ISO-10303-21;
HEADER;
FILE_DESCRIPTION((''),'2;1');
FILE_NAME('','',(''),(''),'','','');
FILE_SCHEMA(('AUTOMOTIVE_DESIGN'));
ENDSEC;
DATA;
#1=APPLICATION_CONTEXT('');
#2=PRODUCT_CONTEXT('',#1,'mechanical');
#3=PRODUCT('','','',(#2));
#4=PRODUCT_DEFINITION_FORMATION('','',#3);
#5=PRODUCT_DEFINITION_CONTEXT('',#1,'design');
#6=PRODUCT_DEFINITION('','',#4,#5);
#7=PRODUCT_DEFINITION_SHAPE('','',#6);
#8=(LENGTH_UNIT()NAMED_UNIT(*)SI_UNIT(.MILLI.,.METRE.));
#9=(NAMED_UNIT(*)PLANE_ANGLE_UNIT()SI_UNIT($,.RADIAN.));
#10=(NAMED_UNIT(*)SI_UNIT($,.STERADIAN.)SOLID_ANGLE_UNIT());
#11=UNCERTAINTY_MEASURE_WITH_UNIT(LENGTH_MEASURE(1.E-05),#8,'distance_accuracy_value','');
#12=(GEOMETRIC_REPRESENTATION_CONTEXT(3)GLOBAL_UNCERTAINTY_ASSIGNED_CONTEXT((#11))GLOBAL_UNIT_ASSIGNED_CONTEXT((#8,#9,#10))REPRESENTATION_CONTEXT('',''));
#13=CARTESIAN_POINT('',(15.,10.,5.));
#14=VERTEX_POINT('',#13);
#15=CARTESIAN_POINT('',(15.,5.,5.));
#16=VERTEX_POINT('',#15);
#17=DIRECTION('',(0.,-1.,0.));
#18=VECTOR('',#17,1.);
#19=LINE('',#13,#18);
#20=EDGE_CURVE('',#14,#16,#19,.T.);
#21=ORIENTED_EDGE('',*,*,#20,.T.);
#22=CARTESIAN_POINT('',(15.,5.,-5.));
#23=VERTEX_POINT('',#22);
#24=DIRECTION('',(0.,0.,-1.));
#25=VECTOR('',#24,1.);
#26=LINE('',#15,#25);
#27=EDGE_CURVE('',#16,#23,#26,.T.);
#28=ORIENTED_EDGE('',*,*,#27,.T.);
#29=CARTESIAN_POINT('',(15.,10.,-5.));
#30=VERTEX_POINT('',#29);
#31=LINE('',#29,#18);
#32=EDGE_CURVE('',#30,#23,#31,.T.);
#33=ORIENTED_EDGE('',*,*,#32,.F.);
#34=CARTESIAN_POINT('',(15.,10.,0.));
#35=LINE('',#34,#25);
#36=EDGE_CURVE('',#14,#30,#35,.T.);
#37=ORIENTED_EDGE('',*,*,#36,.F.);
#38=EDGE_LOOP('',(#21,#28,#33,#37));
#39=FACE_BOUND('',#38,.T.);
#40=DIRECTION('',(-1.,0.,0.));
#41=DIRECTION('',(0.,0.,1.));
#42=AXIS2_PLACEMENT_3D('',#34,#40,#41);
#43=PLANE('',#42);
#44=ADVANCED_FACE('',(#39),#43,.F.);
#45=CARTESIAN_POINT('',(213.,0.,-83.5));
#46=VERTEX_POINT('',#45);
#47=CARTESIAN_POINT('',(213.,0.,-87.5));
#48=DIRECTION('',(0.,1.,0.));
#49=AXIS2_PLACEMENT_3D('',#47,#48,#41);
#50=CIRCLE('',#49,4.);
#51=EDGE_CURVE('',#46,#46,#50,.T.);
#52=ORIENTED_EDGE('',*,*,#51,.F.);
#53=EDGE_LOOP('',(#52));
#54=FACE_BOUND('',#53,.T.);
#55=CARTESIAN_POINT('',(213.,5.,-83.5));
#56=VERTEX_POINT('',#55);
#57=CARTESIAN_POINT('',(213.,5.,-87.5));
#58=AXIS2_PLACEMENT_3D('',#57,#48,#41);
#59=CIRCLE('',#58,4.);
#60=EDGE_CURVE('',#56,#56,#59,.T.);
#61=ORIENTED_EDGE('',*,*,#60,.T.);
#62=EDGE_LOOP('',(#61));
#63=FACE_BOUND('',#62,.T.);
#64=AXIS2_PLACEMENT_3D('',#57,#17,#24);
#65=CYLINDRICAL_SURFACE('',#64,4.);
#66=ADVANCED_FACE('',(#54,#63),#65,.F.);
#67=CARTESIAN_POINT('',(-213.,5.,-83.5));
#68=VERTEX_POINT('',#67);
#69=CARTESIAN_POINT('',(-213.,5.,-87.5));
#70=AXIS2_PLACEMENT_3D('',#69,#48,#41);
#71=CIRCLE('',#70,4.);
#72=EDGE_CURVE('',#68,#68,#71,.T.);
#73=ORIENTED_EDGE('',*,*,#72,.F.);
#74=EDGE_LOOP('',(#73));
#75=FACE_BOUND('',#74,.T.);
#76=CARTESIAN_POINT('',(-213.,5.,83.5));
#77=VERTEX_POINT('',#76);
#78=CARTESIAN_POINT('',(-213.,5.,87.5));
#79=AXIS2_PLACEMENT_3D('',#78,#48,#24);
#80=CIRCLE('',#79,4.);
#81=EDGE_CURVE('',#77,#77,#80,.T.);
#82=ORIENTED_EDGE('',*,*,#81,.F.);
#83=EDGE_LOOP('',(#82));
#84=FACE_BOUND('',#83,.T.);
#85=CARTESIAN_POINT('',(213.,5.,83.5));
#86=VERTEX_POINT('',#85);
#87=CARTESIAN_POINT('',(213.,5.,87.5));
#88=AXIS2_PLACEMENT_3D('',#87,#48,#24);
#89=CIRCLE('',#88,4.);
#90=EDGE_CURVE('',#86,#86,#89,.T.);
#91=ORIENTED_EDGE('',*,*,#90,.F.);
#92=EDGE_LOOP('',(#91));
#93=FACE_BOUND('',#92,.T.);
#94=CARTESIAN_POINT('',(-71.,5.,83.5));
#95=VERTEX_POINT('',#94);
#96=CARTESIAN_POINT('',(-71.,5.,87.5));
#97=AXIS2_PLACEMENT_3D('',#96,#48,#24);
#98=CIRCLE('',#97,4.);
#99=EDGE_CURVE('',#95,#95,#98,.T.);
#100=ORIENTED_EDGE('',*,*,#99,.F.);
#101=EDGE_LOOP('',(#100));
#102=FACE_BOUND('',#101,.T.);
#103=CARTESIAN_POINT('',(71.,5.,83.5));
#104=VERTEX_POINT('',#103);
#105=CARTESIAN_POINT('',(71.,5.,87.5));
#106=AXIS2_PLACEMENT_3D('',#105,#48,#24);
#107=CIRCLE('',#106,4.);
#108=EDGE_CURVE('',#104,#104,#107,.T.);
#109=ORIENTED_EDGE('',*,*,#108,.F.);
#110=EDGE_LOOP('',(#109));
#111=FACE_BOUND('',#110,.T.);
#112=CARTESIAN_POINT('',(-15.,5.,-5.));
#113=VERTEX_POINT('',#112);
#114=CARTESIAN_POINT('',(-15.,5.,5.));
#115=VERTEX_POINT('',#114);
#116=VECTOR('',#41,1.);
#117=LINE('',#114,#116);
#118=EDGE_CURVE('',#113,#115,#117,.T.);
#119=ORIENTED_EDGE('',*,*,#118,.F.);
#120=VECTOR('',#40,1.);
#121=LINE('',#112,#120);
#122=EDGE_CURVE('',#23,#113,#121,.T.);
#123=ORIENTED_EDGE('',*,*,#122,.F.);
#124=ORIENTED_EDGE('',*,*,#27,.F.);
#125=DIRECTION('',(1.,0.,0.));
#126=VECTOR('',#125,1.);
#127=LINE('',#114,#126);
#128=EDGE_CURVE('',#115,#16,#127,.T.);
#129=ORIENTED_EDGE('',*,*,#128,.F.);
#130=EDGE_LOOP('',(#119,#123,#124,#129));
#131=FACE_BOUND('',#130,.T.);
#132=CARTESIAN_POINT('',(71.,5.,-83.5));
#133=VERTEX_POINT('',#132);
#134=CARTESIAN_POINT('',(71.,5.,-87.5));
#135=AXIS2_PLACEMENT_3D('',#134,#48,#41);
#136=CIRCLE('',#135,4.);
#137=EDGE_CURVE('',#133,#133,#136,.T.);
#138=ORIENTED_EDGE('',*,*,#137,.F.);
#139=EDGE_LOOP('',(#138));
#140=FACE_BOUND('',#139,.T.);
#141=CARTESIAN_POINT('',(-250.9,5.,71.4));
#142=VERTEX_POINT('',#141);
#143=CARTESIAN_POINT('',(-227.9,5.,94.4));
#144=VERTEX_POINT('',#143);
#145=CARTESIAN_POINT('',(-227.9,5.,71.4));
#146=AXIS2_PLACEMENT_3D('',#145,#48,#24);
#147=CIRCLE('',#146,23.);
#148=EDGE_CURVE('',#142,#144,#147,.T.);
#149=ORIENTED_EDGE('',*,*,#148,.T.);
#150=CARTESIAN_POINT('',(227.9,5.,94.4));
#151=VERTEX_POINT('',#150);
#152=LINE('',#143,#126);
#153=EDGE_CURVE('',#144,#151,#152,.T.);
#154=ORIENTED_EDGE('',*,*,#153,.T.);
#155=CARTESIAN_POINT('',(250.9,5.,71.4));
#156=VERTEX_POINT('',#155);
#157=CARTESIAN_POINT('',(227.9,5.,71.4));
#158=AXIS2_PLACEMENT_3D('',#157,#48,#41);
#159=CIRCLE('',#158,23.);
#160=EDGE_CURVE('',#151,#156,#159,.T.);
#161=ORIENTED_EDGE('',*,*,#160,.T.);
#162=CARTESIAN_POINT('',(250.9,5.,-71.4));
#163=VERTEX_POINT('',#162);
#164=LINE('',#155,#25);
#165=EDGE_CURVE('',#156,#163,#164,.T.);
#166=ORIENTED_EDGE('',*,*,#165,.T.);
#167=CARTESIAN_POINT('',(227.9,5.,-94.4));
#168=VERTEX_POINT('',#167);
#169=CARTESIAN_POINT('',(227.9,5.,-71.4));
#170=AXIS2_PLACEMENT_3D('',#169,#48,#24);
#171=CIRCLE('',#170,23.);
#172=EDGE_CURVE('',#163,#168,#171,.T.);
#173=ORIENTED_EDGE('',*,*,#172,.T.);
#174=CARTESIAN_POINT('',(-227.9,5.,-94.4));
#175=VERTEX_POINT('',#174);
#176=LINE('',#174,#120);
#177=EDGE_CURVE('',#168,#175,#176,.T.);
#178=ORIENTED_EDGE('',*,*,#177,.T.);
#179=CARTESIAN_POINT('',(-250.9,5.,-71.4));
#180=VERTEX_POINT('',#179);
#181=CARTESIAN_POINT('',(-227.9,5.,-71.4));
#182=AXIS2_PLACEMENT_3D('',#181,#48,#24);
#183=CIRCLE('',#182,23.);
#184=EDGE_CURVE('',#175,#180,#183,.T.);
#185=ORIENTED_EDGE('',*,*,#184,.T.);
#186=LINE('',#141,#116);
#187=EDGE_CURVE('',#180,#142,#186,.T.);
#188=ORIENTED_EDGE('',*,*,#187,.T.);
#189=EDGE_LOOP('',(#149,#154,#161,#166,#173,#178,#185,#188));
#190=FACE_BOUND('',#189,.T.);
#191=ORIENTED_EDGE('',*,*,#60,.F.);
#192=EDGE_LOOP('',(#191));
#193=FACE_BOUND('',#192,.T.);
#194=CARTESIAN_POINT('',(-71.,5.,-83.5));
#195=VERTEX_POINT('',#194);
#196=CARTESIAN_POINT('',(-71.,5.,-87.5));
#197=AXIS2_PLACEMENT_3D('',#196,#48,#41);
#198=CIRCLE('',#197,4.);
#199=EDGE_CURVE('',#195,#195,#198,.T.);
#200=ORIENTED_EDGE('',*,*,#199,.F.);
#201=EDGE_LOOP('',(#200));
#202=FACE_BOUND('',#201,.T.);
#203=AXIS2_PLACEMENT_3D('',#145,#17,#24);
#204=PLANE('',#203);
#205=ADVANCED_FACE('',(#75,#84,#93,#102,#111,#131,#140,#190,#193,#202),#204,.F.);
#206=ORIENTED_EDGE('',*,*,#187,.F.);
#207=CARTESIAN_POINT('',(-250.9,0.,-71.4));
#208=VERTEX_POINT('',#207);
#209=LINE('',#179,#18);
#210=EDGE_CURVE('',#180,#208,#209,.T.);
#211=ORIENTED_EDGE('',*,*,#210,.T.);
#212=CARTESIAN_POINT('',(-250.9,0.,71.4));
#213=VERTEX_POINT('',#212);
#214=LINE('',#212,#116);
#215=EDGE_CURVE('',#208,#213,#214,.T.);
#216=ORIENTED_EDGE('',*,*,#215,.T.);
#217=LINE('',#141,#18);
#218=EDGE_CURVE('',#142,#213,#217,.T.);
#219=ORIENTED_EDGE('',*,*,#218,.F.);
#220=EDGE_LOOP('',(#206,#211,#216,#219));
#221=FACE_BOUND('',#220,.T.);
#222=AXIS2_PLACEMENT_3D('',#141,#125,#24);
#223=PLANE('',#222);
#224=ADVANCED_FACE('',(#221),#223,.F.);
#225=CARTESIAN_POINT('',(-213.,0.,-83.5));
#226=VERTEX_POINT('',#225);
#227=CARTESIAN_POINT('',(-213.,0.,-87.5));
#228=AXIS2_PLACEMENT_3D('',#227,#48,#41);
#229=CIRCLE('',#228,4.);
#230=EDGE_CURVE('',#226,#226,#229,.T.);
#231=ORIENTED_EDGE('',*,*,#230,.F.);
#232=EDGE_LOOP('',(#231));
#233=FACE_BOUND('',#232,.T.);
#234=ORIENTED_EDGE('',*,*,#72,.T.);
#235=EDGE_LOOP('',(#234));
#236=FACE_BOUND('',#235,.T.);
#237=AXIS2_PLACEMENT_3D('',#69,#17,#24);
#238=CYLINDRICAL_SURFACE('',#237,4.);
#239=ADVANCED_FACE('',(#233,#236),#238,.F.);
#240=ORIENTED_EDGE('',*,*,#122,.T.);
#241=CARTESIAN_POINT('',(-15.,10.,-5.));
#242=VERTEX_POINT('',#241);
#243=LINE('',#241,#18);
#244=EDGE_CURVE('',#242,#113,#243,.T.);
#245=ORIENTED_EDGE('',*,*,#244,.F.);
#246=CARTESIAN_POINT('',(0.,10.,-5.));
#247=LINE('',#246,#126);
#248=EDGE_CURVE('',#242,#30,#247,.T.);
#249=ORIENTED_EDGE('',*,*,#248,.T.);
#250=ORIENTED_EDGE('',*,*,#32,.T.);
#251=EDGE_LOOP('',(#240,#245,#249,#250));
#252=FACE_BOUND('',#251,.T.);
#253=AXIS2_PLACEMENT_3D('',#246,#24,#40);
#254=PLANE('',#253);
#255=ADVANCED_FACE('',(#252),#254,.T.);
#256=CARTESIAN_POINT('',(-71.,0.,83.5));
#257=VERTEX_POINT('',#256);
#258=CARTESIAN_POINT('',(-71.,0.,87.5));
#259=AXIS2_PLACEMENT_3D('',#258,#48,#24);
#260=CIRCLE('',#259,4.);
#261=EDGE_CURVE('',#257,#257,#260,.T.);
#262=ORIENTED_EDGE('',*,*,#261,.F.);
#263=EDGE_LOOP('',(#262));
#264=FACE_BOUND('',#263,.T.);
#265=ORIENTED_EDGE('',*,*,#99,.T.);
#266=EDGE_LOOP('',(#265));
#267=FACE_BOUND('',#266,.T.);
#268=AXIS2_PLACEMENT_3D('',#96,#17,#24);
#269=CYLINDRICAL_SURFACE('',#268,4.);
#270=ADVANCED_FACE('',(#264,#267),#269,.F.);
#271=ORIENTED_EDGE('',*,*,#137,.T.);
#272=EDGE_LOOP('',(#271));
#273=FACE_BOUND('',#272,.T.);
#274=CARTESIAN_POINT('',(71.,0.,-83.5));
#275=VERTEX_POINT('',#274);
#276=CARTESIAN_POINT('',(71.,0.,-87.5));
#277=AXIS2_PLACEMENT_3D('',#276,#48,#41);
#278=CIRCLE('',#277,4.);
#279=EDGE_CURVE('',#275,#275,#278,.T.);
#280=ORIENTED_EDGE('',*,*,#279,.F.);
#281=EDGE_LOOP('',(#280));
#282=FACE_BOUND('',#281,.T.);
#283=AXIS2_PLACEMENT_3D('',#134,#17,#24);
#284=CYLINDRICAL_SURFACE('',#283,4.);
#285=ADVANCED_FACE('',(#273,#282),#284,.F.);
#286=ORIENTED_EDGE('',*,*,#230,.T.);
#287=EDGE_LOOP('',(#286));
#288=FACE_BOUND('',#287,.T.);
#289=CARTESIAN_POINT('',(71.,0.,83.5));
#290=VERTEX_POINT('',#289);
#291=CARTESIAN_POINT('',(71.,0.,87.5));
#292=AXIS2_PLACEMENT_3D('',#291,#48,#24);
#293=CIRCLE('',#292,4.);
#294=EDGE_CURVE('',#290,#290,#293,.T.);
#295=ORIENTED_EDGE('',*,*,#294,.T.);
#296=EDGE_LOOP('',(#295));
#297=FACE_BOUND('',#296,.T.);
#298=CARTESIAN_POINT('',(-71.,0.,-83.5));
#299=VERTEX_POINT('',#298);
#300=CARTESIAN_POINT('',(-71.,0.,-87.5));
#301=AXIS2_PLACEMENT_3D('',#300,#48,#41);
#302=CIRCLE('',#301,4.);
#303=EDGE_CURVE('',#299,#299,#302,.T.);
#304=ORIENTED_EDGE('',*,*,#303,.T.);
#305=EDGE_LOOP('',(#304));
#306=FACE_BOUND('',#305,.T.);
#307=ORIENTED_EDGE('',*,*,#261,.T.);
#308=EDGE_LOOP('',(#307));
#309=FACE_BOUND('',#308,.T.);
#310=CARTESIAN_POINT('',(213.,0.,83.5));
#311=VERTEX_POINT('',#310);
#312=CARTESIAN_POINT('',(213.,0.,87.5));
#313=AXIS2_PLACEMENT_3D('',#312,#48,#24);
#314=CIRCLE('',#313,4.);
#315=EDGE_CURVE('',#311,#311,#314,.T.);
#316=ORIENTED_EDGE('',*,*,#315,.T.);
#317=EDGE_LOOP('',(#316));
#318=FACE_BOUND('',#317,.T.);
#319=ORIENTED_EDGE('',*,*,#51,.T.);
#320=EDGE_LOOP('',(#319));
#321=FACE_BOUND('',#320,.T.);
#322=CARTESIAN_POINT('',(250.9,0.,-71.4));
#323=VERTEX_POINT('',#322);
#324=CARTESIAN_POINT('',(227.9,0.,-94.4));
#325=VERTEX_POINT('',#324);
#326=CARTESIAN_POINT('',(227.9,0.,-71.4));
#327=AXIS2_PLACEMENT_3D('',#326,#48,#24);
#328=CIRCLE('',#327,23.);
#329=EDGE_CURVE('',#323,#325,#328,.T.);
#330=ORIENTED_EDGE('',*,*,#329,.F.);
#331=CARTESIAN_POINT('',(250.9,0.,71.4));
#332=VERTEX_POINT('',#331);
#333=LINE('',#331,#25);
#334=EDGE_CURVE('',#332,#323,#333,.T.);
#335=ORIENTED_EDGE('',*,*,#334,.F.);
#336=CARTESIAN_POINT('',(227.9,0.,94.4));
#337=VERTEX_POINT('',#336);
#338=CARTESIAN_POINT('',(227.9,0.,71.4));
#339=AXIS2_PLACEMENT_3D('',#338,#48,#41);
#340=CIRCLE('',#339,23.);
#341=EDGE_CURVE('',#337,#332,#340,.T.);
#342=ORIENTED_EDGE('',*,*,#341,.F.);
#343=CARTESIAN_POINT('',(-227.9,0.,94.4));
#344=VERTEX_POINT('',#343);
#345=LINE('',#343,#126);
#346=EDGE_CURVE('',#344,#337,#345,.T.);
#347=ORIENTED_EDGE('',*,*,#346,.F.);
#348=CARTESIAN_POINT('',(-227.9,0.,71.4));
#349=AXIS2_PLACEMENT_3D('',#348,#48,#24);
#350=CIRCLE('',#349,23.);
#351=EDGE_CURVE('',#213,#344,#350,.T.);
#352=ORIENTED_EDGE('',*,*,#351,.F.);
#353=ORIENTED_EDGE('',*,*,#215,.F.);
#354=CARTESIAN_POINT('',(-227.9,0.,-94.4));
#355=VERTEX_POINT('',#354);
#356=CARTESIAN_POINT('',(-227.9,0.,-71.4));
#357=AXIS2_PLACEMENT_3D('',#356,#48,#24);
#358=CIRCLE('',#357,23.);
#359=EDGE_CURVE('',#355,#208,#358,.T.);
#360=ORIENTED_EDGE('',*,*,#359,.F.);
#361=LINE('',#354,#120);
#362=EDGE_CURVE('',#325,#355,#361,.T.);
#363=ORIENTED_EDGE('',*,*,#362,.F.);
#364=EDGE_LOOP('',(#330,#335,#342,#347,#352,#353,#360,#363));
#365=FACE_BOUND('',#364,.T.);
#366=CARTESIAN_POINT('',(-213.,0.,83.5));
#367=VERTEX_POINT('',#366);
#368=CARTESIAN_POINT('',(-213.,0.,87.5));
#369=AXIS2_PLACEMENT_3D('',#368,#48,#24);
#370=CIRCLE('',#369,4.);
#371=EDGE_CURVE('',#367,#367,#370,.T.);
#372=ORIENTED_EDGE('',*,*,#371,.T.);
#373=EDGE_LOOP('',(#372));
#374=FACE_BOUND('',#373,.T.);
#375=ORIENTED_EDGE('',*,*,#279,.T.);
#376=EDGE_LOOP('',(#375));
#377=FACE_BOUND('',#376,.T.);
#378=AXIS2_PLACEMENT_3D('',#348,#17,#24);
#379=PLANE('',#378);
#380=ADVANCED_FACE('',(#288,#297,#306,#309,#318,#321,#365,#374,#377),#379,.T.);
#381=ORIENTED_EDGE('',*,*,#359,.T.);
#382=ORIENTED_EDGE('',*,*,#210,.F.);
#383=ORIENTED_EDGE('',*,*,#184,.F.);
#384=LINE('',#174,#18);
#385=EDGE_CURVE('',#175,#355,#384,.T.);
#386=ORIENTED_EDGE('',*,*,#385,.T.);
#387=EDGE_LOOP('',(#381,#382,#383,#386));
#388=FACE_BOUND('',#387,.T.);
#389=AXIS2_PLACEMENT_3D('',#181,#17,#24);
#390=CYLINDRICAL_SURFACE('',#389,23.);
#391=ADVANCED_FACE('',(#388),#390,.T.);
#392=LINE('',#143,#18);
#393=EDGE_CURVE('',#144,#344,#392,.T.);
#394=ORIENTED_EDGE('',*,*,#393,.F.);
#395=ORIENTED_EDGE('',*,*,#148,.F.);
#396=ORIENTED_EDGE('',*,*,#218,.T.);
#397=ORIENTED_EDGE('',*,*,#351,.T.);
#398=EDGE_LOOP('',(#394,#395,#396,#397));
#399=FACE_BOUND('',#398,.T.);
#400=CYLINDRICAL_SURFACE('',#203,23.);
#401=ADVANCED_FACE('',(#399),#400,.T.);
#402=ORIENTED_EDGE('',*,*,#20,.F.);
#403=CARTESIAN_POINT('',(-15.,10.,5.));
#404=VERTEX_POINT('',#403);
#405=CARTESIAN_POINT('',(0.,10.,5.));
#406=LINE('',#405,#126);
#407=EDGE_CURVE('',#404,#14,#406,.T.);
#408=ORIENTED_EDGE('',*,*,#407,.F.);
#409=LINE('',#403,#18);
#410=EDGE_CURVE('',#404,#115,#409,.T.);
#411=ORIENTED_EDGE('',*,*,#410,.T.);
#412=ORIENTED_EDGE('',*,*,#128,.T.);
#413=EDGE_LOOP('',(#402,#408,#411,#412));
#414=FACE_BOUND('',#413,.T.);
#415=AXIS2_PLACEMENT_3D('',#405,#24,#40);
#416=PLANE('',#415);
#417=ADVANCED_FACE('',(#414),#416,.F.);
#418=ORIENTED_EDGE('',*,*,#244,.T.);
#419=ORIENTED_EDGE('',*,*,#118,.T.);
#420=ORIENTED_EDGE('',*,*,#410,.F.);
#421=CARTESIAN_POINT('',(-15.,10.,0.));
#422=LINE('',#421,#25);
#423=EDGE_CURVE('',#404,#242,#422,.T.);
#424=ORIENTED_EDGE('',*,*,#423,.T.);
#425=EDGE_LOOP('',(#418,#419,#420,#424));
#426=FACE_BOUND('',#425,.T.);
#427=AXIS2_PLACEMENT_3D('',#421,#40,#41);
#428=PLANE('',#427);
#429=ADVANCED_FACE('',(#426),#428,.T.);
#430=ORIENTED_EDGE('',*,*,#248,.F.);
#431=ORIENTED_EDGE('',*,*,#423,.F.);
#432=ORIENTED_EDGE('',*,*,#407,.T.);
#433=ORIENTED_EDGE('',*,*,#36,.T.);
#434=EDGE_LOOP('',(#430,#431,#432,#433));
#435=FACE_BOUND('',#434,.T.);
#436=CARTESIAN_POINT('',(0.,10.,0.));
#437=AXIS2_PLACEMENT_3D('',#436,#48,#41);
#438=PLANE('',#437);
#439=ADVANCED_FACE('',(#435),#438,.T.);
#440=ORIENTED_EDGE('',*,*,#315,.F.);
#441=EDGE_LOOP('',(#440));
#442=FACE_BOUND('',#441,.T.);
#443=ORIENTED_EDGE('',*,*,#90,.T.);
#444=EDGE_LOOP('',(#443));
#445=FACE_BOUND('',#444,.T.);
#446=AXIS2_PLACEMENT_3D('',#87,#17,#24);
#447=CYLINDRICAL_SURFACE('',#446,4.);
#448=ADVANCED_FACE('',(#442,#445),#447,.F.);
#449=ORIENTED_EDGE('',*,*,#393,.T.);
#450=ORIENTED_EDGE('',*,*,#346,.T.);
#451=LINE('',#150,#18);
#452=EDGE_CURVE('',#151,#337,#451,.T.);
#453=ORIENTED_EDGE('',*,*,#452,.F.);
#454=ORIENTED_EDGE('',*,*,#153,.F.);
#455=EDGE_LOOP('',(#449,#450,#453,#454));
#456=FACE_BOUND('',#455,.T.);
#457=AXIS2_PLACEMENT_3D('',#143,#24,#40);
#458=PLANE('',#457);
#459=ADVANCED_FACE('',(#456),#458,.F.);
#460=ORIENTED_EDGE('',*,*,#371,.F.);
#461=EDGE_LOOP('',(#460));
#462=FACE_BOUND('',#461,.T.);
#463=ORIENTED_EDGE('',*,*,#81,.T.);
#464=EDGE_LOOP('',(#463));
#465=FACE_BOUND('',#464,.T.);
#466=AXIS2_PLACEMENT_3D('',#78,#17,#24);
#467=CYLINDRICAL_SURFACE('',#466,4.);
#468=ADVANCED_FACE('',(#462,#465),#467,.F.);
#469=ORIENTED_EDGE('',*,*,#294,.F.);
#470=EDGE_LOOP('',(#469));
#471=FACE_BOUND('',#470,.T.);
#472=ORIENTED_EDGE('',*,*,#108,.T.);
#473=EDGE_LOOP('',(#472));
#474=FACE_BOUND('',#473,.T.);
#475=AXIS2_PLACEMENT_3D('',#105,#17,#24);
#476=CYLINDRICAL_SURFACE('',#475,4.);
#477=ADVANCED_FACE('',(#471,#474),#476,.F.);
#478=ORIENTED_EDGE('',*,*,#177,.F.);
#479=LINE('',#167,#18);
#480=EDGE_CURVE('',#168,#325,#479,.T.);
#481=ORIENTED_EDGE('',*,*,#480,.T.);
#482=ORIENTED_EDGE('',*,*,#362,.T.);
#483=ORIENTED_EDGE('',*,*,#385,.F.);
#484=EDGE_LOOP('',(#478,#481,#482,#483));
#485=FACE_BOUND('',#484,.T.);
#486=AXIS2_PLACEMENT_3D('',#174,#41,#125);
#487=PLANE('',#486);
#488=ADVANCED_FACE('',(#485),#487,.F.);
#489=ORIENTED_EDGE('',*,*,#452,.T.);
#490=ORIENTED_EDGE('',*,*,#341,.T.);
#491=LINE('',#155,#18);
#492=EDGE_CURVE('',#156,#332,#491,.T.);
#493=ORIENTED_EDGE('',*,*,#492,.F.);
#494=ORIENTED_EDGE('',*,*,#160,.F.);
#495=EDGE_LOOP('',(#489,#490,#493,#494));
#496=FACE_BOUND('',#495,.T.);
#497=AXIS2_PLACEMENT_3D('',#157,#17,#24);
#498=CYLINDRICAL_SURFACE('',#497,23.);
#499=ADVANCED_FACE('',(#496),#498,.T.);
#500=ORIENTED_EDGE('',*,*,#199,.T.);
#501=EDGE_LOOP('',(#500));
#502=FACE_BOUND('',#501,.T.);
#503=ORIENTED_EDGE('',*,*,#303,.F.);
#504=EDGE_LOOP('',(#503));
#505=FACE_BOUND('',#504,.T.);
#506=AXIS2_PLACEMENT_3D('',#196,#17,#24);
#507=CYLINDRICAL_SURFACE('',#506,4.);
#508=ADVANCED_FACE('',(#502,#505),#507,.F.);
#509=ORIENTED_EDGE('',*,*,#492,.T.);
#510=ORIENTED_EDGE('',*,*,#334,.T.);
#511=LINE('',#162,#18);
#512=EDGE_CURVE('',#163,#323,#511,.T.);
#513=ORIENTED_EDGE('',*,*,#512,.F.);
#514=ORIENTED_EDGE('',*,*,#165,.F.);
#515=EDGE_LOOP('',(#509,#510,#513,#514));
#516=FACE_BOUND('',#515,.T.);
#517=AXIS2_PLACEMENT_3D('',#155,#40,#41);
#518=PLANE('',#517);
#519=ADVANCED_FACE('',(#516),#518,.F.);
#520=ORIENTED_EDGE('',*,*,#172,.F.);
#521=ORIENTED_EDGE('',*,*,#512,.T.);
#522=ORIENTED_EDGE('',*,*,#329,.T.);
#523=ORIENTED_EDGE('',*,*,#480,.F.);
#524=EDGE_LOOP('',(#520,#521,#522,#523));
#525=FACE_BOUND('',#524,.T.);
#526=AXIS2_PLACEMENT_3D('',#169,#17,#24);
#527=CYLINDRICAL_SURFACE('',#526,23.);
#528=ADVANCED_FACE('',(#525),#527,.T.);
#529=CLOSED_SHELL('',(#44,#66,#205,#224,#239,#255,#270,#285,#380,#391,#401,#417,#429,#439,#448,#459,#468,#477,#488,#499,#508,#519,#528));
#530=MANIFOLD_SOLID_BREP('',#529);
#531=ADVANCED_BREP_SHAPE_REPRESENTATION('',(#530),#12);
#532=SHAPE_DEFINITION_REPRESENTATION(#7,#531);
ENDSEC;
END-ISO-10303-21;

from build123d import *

# Parameters (mm, degrees)
SKETCH2_R           = 4
SKETCH2_W           = 30
SKETCH2_H           = 10
BOSS_EXTRUDE1_DEPTH = 5
SKETCH2_2_W         = 30
SKETCH2_2_H         = 10
BOSS_EXTRUDE2_DEPTH = 10


with BuildPart() as part:
    # Sketch2 → Boss-Extrude1 (new body)
    with BuildSketch(Plane(origin=(0, 0, 0), x_dir=(1, 0, 0), z_dir=(0, 1, 0))):
        with BuildLine():
            Line((-227.9, -94.4), (227.9, -94.4))
            ThreePointArc((227.9, -94.4), (244.163455967, -87.663455967), (250.9, -71.4))
            Line((250.9, -71.4), (250.9, 71.4))
            ThreePointArc((250.9, 71.4), (244.163455967, 87.663455967), (227.9, 94.4))
            Line((227.9, 94.4), (-227.9, 94.4))
            ThreePointArc((-227.9, 94.4), (-244.163455967, 87.663455967), (-250.9, 71.4))
            Line((-250.9, 71.4), (-250.9, -71.4))
            ThreePointArc((-250.9, -71.4), (-244.163455967, -87.663455967), (-227.9, -94.4))
        make_face()
        with Locations((-213, 87.5)):
            Circle(SKETCH2_R, mode=Mode.SUBTRACT)
        with Locations((-71, 87.5)):
            Circle(SKETCH2_R, mode=Mode.SUBTRACT)
        with Locations((71, 87.5)):
            Circle(SKETCH2_R, mode=Mode.SUBTRACT)
        with Locations((213, 87.5)):
            Circle(SKETCH2_R, mode=Mode.SUBTRACT)
        with Locations((213, -87.5)):
            Circle(SKETCH2_R, mode=Mode.SUBTRACT)
        with Locations((71, -87.5)):
            Circle(SKETCH2_R, mode=Mode.SUBTRACT)
        with Locations((-71, -87.5)):
            Circle(SKETCH2_R, mode=Mode.SUBTRACT)
        with Locations((-213, -87.5)):
            Circle(SKETCH2_R, mode=Mode.SUBTRACT)
        Rectangle(SKETCH2_W, SKETCH2_H, mode=Mode.SUBTRACT)
    extrude(amount=BOSS_EXTRUDE1_DEPTH)

    # Sketch2<2> → Boss-Extrude2 (add)
    with BuildSketch(Plane(origin=(0, 0, 0), x_dir=(1, 0, 0), z_dir=(0, 1, 0))):
        Rectangle(SKETCH2_2_W, SKETCH2_2_H)
    extrude(amount=BOSS_EXTRUDE2_DEPTH)


solid = part.part
